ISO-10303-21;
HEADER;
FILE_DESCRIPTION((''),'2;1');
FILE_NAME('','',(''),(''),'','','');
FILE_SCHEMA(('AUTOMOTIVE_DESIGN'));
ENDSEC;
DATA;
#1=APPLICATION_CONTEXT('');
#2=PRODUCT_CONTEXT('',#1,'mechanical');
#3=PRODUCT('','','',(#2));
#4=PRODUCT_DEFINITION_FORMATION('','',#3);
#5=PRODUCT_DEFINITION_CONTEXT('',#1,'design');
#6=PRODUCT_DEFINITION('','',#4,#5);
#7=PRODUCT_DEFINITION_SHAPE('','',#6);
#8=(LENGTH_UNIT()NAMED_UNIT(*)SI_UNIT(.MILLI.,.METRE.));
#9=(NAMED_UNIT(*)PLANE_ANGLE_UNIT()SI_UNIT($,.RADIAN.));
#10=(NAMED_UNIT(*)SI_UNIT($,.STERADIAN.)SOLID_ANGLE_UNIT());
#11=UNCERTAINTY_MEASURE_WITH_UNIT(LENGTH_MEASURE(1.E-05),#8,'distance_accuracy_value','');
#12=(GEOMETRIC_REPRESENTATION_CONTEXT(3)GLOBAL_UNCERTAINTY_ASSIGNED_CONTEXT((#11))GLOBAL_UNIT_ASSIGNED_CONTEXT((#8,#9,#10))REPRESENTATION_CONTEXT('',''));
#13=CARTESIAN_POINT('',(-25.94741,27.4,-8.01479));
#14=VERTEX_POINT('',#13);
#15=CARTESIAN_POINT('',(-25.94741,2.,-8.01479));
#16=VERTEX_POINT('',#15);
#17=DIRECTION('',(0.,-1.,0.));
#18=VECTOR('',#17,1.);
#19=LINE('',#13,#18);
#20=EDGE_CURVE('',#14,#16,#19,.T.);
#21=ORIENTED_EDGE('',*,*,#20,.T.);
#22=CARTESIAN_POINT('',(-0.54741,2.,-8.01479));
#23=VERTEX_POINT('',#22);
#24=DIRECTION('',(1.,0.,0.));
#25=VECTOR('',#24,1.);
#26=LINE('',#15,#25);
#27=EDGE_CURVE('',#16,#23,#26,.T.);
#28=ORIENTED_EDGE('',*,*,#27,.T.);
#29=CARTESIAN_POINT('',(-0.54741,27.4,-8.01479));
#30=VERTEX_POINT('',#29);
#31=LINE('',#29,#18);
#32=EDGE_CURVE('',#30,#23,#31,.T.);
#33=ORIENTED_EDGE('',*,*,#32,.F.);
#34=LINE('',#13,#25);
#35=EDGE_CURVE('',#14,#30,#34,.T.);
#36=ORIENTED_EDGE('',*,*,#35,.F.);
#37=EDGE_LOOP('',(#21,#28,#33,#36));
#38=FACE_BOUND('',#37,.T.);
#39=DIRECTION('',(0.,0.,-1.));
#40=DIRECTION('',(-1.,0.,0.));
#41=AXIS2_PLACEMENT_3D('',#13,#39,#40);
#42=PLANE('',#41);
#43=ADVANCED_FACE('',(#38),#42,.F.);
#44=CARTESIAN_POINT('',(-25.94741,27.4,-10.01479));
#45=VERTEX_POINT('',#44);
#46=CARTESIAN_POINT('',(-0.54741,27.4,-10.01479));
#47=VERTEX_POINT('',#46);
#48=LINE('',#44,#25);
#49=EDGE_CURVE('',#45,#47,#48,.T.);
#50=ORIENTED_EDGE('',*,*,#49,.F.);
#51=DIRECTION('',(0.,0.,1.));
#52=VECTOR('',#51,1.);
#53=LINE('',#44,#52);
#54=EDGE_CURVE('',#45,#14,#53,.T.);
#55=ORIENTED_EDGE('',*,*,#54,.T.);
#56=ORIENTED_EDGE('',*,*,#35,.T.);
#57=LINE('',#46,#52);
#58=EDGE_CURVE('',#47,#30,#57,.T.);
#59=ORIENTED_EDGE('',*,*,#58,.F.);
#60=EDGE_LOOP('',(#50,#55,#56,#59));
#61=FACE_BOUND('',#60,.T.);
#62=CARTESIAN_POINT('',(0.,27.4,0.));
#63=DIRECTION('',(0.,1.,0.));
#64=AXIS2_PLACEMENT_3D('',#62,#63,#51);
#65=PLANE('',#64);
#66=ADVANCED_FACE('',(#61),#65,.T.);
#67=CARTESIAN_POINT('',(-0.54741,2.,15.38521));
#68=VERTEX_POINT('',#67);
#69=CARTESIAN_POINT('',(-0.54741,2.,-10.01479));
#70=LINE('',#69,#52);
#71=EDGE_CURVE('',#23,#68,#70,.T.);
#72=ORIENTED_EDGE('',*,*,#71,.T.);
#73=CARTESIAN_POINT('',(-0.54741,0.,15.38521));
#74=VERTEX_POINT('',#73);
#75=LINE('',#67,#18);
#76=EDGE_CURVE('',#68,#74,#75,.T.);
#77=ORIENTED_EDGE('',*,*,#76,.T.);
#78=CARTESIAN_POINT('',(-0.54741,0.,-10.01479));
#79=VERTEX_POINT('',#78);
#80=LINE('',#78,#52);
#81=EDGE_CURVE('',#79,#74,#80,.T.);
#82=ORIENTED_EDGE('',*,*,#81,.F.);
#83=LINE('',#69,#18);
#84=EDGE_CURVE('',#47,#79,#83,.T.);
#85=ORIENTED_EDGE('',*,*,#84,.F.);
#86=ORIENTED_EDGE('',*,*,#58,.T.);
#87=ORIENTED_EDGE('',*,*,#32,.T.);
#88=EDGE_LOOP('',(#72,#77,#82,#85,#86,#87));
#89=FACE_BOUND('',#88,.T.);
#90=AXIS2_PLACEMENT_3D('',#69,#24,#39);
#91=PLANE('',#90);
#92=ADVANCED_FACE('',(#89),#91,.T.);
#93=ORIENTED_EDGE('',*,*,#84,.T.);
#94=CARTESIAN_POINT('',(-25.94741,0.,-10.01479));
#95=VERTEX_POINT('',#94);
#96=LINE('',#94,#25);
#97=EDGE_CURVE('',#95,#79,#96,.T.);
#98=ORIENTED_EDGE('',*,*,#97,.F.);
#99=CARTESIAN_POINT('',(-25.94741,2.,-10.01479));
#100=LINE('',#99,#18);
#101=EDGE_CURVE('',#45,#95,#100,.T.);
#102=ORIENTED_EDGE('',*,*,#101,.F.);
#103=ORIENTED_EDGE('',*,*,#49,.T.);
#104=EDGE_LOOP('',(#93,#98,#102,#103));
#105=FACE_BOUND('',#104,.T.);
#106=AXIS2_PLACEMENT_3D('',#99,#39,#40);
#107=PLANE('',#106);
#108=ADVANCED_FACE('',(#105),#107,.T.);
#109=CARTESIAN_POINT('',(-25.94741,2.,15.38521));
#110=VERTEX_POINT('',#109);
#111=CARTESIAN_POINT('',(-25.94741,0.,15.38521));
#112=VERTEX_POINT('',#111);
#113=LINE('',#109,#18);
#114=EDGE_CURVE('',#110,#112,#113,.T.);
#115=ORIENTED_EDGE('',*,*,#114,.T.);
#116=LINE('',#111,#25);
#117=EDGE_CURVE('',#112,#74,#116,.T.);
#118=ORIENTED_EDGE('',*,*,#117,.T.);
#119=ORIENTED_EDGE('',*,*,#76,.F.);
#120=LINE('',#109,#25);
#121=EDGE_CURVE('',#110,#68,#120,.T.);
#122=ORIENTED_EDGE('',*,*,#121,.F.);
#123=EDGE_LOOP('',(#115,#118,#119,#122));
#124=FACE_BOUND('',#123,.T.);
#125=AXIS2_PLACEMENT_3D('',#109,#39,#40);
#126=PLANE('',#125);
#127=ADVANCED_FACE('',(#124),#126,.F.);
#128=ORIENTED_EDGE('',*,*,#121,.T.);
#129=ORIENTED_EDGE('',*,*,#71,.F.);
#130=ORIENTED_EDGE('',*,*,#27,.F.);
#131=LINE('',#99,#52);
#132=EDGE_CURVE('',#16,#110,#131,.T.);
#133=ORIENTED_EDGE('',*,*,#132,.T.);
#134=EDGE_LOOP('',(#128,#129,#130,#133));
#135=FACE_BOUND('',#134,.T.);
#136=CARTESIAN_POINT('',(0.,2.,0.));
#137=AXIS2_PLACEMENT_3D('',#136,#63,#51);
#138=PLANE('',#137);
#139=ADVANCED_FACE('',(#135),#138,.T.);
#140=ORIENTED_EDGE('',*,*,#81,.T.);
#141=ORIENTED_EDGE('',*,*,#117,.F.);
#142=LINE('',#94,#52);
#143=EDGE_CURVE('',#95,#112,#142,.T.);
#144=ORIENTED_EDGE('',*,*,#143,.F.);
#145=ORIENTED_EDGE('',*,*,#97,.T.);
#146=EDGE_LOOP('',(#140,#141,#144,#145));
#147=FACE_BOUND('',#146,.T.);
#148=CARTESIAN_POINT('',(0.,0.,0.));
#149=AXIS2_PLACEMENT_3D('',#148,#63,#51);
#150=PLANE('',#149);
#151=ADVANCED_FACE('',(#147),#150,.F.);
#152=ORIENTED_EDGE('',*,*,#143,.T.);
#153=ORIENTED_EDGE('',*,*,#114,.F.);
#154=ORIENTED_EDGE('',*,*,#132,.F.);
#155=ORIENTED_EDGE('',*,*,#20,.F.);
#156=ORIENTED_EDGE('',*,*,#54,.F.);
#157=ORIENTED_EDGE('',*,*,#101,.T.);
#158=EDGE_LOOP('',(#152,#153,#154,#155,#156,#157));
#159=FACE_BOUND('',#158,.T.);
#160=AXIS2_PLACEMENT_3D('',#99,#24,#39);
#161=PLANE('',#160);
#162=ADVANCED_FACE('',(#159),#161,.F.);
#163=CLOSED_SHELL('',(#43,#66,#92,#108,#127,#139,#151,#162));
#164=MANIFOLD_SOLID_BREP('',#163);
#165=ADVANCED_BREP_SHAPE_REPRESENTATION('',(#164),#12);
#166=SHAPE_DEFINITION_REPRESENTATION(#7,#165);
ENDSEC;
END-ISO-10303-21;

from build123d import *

# Parameters (mm, degrees)
SKETCH_4_W      = 25.4
SKETCH_4_H      = 25.4
EXTRUDE_2_DEPTH = 2
SKETCH_5_W      = 25.4
SKETCH_5_H      = 2
EXTRUDE_3_DEPTH = 2
SKETCH_6_W      = 25.4
SKETCH_6_H      = 2
EXTRUDE_4_DEPTH = 25.4


with BuildPart() as part:
    # 草图4 → 凸台-拉伸2 (new body)
    with BuildSketch(Plane(origin=(0, 0, 0), x_dir=(1, 0, 0), z_dir=(0, 1, 0))):
        with Locations((-13.247410317, -2.685210053)):
            Rectangle(SKETCH_4_W, SKETCH_4_H)
    extrude(amount=EXTRUDE_2_DEPTH)

    # 草图5 → 凸台-拉伸3 (add)
    with BuildSketch(Plane(origin=(-25.947410317, 2, 15.385210053), x_dir=(0, 0, -1), z_dir=(1, 0, 0))):
        with Locations((12.7, -1)):
            Rectangle(SKETCH_5_W, SKETCH_5_H)
    extrude(amount=EXTRUDE_3_DEPTH)

    # 草图6 → 凸台-拉伸4 (add)
    with BuildSketch(Plane(origin=(0, 2, 0), x_dir=(1, 0, 0), z_dir=(0, 1, 0))):
        with Locations((-13.247410317, 9.014789947)):
            Rectangle(SKETCH_6_W, SKETCH_6_H)
    extrude(amount=EXTRUDE_4_DEPTH)


solid = part.part
